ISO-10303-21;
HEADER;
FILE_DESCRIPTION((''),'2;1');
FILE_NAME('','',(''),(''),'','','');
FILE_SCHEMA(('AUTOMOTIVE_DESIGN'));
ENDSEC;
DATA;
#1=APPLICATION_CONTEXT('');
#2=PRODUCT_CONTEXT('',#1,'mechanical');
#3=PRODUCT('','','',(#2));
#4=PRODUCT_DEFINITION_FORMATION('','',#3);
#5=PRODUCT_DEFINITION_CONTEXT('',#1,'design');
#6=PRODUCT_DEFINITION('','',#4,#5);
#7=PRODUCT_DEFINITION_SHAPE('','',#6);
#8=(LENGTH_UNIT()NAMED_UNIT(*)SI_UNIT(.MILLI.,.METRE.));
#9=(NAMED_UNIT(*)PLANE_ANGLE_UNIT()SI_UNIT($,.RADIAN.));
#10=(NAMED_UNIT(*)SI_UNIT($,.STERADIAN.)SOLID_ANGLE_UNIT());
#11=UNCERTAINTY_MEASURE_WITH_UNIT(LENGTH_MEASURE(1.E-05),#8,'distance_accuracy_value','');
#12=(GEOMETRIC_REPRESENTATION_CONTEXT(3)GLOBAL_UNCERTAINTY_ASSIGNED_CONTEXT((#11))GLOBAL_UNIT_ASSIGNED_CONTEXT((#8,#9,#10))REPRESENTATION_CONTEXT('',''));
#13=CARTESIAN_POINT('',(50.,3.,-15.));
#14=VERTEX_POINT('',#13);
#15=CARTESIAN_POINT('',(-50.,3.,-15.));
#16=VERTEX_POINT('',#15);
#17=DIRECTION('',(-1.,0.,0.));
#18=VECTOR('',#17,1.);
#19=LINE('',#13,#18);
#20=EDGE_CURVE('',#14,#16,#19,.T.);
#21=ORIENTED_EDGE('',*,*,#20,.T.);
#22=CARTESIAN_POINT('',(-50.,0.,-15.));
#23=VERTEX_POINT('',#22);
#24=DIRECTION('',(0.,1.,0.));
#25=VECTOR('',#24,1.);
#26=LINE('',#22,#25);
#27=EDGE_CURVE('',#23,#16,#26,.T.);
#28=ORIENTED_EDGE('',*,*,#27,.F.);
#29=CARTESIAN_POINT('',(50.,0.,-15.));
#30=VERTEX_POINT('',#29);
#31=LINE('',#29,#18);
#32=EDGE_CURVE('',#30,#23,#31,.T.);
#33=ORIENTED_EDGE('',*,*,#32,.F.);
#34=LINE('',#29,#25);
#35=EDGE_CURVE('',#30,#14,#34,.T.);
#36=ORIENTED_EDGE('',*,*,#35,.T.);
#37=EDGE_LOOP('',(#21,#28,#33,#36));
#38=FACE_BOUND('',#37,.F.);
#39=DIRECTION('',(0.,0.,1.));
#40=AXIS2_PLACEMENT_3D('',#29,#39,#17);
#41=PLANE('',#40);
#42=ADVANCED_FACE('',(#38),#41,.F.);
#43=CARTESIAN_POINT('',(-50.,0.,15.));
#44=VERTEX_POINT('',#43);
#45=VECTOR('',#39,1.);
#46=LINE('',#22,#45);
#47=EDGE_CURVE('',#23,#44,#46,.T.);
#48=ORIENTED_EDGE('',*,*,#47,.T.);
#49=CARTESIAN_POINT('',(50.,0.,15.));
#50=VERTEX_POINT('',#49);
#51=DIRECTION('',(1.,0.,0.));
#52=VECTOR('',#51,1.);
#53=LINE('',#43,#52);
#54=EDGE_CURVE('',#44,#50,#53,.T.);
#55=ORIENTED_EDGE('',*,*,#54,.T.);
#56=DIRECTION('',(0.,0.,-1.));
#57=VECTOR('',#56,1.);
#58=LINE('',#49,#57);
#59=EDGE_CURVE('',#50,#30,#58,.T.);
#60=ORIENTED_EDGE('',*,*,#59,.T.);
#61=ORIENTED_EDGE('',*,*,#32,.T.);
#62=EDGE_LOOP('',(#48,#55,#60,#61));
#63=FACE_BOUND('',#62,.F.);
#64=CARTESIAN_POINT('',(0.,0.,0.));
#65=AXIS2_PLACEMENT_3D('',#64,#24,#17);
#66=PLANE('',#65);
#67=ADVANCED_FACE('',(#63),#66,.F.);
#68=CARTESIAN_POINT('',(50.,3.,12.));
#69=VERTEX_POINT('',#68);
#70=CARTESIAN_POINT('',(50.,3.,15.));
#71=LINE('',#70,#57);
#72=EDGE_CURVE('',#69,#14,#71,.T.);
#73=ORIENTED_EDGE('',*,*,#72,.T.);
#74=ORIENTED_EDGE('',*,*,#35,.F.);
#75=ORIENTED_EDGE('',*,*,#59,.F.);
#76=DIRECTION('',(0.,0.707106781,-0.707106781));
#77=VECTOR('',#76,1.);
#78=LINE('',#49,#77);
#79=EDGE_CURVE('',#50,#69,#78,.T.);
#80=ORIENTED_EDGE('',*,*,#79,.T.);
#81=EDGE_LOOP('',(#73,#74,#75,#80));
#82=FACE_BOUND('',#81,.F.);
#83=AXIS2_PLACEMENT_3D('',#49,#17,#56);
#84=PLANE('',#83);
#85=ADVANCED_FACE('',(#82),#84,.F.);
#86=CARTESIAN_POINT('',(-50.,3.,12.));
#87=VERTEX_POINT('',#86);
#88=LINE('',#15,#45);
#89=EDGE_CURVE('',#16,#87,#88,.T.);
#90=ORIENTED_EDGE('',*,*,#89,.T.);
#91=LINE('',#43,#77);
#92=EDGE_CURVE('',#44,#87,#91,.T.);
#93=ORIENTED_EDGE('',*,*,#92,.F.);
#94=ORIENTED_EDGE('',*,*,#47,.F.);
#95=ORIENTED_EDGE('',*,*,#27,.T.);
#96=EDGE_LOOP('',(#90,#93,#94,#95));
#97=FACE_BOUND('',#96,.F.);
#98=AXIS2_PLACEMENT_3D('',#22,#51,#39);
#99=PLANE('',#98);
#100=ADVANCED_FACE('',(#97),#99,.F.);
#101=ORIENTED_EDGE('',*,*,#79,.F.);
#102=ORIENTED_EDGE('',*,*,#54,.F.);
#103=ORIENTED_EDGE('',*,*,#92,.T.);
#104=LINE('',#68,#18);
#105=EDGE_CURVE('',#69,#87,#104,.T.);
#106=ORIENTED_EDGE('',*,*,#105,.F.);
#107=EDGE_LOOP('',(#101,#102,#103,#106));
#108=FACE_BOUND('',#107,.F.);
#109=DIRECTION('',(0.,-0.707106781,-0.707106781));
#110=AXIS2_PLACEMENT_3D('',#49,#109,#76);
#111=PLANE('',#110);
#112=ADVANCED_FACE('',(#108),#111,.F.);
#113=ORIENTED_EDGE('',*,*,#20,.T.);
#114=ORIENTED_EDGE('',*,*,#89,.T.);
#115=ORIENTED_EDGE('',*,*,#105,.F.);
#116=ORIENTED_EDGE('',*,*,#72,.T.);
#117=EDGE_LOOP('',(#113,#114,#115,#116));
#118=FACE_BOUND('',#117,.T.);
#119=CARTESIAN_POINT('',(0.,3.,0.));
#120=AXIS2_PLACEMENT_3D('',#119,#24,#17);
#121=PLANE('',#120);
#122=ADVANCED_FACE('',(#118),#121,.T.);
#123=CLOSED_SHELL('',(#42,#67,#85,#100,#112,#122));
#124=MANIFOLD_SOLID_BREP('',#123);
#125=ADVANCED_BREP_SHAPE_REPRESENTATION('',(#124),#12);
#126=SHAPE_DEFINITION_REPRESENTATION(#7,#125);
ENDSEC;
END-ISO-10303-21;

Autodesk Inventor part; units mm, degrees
ref_plane "YZ Plane" through (0, 0, 0) normal (1, 0, 0) x (0, 1, 0)
ref_plane "XZ Plane" through (0, 0, 0) normal (0, 1, 0) x (-1, 0, 0)
ref_plane "XY Plane" through (0, 0, 0) normal (0, 0, 1) x (1, 0, 0)
sketch "Sketch1" plane through (0, 0, 0) normal (0, 1, 0) x (-1, 0, 0)
  line L0 (50, 15) -> (-50, 15)
  line L1 (-50, 15) -> (-50, -15)
  line L2 (-50, -15) -> (50, -15)
  line L3 (50, -15) -> (50, 15)
  line L4 (50, 15) -> (-50, -15) construction
  line L5 (-50, 15) -> (50, -15) construction
  point P0 (0, 0)
  dimension "d0" = 100
  dimension "d1" = 30
extrude "Extrusion1" add sketch "Sketch1" along normal blind 3
sketch "Sketch2" plane through (50, 0, 15) normal (1, 0, 0) x (0, 0, -1)
  line L0 (0, 0) -> (3, 3)
  line L1 (0, 0) -> (4.2426, 0) construction
  line L2 (3, 3) -> (0, 3)
  line L3 (0, 0) -> (0, 3) projected
  line L4 (0, 3) -> (0, 0)
  dimension "d4" = 45
extrude "Extrusion2" cut sketch "Sketch2" against normal blind 100
properties part number "HM_Knife" material "Steel, Alloy"
